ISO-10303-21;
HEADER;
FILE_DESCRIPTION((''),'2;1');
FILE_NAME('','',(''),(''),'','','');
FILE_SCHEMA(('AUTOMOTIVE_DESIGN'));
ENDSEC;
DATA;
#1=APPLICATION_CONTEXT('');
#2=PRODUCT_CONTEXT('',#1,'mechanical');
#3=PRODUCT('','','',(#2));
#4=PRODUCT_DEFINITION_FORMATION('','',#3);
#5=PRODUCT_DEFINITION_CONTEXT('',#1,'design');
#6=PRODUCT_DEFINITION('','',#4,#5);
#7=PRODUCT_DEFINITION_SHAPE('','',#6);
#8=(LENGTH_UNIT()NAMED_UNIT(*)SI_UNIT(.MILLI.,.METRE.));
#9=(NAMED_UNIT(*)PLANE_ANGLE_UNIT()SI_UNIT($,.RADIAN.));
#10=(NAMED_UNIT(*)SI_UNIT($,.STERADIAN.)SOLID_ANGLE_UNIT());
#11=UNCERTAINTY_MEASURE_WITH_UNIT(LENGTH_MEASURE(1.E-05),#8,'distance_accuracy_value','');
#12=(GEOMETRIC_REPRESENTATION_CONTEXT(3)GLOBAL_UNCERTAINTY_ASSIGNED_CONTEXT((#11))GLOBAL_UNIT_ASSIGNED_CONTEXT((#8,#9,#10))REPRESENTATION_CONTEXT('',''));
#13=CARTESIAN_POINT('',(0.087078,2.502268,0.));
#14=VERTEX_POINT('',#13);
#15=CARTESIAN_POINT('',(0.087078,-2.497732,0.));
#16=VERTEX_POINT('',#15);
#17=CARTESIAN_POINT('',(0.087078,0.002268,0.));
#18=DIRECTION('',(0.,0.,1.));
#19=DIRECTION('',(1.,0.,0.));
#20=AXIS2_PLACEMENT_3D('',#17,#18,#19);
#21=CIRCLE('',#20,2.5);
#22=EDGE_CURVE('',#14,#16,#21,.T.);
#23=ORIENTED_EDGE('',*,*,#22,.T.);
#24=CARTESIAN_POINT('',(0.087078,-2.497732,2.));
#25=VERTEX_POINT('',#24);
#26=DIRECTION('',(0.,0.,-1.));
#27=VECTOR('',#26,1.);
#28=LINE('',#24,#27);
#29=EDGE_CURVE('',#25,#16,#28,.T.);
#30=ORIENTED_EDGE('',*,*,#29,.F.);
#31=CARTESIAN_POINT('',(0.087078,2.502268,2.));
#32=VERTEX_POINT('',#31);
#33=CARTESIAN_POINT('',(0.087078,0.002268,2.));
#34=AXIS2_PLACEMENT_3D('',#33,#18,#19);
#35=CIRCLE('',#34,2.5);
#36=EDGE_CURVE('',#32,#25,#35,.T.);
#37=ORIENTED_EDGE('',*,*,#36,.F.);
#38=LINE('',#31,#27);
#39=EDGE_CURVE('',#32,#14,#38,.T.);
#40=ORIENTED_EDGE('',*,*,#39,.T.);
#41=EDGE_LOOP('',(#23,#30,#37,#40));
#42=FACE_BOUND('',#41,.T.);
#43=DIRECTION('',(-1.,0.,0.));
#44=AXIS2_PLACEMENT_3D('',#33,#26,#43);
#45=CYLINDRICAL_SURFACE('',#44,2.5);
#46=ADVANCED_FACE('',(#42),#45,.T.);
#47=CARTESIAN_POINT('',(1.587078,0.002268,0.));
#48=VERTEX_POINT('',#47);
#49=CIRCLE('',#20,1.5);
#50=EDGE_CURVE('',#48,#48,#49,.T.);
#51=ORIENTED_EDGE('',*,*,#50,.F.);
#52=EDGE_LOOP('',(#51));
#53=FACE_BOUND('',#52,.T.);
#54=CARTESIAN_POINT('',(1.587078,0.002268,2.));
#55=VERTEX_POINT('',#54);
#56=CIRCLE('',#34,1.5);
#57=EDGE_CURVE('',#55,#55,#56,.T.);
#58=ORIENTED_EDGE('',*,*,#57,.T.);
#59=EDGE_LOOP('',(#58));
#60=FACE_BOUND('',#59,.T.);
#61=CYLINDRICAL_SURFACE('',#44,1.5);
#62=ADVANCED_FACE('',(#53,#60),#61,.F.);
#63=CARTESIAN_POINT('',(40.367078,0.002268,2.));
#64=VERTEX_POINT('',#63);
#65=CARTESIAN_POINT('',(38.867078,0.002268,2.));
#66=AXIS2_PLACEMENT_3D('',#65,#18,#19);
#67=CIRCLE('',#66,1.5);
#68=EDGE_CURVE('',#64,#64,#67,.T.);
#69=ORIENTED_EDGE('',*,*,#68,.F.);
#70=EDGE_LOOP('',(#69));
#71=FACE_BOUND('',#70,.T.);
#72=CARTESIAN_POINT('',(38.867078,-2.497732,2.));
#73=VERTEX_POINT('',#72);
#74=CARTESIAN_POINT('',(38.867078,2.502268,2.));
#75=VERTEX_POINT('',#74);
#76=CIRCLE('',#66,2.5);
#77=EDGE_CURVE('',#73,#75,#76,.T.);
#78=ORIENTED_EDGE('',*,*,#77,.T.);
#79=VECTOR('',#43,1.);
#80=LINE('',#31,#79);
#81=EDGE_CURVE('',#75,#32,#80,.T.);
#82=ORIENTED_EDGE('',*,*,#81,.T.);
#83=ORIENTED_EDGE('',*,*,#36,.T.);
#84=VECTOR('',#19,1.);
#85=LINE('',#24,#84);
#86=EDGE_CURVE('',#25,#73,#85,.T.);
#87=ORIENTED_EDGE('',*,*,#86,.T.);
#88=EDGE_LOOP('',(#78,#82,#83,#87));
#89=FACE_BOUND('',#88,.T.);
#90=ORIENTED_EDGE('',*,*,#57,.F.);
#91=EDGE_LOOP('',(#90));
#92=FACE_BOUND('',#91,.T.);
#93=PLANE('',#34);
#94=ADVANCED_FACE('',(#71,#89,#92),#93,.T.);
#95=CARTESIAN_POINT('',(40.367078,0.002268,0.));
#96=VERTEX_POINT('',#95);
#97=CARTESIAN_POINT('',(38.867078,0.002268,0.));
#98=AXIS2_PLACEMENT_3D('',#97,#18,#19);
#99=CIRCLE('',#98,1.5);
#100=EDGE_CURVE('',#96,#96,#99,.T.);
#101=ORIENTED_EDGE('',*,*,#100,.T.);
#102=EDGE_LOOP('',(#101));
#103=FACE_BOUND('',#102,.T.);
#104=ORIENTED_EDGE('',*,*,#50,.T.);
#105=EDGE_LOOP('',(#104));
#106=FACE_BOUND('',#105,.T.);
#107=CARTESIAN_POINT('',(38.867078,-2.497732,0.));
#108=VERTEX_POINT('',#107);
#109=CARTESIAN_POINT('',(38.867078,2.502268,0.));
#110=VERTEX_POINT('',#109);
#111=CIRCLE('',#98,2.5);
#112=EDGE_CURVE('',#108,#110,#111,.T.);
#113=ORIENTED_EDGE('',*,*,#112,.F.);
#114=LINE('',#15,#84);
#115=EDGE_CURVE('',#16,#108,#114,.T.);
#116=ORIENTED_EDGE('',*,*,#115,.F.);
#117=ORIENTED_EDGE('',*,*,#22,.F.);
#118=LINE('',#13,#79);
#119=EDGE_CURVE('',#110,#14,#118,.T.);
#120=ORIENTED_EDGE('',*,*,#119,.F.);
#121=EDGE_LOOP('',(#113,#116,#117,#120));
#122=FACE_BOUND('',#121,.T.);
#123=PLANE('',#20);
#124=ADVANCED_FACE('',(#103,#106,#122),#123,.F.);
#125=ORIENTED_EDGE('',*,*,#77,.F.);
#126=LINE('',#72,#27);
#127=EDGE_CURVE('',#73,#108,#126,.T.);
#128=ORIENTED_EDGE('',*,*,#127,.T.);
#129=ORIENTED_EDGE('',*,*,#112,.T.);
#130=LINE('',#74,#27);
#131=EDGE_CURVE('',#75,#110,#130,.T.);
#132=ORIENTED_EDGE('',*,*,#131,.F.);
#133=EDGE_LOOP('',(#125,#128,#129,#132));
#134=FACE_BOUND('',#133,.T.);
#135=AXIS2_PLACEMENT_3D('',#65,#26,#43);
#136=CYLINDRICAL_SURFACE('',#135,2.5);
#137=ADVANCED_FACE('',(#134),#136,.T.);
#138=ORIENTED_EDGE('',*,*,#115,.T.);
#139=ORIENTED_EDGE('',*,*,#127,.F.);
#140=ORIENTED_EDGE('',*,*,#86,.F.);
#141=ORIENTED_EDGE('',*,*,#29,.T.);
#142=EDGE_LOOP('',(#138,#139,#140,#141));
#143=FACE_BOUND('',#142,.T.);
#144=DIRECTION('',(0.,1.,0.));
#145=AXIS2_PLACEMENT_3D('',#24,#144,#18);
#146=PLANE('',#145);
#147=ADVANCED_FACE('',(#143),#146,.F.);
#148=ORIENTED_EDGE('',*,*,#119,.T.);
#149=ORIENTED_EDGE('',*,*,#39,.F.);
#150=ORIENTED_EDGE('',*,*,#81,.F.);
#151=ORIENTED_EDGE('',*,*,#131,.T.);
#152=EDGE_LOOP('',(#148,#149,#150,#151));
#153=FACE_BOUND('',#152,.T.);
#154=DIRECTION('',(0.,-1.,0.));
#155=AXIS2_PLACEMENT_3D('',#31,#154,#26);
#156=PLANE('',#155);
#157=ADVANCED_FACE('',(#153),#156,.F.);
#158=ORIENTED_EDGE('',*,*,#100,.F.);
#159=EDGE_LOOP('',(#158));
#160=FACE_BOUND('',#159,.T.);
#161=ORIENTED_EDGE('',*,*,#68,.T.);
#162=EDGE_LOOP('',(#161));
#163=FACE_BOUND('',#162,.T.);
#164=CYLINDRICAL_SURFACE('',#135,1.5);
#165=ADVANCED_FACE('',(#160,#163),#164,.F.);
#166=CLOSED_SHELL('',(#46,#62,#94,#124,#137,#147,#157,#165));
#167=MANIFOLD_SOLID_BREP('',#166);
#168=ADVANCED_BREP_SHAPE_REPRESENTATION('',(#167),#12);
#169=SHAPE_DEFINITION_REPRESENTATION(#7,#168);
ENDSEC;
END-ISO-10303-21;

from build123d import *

# Parameters (mm, degrees)
SKETCH1_R           = 1.5
BOSS_EXTRUDE1_DEPTH = 2


with BuildPart() as part:
    # Sketch1 → Boss-Extrude1 (new body)
    with BuildSketch(Plane.XY):
        with BuildLine():
            Line((0.087077843, 2.502267711), (38.867077843, 2.502267711))
            ThreePointArc((38.867077843, 2.502267711), (41.367077843, 0.002267711), (38.867077843, -2.497732289))
            Line((38.867077843, -2.497732289), (0.087077843, -2.497732289))
            ThreePointArc((0.087077843, -2.497732289), (-2.412922157, 0.002267711), (0.087077843, 2.502267711))
        make_face()
        with Locations((0.087077843, 0.002267711)):
            Circle(SKETCH1_R, mode=Mode.SUBTRACT)
        with Locations((38.867077843, 0.002267711)):
            Circle(SKETCH1_R, mode=Mode.SUBTRACT)
    extrude(amount=BOSS_EXTRUDE1_DEPTH)


solid = part.part
